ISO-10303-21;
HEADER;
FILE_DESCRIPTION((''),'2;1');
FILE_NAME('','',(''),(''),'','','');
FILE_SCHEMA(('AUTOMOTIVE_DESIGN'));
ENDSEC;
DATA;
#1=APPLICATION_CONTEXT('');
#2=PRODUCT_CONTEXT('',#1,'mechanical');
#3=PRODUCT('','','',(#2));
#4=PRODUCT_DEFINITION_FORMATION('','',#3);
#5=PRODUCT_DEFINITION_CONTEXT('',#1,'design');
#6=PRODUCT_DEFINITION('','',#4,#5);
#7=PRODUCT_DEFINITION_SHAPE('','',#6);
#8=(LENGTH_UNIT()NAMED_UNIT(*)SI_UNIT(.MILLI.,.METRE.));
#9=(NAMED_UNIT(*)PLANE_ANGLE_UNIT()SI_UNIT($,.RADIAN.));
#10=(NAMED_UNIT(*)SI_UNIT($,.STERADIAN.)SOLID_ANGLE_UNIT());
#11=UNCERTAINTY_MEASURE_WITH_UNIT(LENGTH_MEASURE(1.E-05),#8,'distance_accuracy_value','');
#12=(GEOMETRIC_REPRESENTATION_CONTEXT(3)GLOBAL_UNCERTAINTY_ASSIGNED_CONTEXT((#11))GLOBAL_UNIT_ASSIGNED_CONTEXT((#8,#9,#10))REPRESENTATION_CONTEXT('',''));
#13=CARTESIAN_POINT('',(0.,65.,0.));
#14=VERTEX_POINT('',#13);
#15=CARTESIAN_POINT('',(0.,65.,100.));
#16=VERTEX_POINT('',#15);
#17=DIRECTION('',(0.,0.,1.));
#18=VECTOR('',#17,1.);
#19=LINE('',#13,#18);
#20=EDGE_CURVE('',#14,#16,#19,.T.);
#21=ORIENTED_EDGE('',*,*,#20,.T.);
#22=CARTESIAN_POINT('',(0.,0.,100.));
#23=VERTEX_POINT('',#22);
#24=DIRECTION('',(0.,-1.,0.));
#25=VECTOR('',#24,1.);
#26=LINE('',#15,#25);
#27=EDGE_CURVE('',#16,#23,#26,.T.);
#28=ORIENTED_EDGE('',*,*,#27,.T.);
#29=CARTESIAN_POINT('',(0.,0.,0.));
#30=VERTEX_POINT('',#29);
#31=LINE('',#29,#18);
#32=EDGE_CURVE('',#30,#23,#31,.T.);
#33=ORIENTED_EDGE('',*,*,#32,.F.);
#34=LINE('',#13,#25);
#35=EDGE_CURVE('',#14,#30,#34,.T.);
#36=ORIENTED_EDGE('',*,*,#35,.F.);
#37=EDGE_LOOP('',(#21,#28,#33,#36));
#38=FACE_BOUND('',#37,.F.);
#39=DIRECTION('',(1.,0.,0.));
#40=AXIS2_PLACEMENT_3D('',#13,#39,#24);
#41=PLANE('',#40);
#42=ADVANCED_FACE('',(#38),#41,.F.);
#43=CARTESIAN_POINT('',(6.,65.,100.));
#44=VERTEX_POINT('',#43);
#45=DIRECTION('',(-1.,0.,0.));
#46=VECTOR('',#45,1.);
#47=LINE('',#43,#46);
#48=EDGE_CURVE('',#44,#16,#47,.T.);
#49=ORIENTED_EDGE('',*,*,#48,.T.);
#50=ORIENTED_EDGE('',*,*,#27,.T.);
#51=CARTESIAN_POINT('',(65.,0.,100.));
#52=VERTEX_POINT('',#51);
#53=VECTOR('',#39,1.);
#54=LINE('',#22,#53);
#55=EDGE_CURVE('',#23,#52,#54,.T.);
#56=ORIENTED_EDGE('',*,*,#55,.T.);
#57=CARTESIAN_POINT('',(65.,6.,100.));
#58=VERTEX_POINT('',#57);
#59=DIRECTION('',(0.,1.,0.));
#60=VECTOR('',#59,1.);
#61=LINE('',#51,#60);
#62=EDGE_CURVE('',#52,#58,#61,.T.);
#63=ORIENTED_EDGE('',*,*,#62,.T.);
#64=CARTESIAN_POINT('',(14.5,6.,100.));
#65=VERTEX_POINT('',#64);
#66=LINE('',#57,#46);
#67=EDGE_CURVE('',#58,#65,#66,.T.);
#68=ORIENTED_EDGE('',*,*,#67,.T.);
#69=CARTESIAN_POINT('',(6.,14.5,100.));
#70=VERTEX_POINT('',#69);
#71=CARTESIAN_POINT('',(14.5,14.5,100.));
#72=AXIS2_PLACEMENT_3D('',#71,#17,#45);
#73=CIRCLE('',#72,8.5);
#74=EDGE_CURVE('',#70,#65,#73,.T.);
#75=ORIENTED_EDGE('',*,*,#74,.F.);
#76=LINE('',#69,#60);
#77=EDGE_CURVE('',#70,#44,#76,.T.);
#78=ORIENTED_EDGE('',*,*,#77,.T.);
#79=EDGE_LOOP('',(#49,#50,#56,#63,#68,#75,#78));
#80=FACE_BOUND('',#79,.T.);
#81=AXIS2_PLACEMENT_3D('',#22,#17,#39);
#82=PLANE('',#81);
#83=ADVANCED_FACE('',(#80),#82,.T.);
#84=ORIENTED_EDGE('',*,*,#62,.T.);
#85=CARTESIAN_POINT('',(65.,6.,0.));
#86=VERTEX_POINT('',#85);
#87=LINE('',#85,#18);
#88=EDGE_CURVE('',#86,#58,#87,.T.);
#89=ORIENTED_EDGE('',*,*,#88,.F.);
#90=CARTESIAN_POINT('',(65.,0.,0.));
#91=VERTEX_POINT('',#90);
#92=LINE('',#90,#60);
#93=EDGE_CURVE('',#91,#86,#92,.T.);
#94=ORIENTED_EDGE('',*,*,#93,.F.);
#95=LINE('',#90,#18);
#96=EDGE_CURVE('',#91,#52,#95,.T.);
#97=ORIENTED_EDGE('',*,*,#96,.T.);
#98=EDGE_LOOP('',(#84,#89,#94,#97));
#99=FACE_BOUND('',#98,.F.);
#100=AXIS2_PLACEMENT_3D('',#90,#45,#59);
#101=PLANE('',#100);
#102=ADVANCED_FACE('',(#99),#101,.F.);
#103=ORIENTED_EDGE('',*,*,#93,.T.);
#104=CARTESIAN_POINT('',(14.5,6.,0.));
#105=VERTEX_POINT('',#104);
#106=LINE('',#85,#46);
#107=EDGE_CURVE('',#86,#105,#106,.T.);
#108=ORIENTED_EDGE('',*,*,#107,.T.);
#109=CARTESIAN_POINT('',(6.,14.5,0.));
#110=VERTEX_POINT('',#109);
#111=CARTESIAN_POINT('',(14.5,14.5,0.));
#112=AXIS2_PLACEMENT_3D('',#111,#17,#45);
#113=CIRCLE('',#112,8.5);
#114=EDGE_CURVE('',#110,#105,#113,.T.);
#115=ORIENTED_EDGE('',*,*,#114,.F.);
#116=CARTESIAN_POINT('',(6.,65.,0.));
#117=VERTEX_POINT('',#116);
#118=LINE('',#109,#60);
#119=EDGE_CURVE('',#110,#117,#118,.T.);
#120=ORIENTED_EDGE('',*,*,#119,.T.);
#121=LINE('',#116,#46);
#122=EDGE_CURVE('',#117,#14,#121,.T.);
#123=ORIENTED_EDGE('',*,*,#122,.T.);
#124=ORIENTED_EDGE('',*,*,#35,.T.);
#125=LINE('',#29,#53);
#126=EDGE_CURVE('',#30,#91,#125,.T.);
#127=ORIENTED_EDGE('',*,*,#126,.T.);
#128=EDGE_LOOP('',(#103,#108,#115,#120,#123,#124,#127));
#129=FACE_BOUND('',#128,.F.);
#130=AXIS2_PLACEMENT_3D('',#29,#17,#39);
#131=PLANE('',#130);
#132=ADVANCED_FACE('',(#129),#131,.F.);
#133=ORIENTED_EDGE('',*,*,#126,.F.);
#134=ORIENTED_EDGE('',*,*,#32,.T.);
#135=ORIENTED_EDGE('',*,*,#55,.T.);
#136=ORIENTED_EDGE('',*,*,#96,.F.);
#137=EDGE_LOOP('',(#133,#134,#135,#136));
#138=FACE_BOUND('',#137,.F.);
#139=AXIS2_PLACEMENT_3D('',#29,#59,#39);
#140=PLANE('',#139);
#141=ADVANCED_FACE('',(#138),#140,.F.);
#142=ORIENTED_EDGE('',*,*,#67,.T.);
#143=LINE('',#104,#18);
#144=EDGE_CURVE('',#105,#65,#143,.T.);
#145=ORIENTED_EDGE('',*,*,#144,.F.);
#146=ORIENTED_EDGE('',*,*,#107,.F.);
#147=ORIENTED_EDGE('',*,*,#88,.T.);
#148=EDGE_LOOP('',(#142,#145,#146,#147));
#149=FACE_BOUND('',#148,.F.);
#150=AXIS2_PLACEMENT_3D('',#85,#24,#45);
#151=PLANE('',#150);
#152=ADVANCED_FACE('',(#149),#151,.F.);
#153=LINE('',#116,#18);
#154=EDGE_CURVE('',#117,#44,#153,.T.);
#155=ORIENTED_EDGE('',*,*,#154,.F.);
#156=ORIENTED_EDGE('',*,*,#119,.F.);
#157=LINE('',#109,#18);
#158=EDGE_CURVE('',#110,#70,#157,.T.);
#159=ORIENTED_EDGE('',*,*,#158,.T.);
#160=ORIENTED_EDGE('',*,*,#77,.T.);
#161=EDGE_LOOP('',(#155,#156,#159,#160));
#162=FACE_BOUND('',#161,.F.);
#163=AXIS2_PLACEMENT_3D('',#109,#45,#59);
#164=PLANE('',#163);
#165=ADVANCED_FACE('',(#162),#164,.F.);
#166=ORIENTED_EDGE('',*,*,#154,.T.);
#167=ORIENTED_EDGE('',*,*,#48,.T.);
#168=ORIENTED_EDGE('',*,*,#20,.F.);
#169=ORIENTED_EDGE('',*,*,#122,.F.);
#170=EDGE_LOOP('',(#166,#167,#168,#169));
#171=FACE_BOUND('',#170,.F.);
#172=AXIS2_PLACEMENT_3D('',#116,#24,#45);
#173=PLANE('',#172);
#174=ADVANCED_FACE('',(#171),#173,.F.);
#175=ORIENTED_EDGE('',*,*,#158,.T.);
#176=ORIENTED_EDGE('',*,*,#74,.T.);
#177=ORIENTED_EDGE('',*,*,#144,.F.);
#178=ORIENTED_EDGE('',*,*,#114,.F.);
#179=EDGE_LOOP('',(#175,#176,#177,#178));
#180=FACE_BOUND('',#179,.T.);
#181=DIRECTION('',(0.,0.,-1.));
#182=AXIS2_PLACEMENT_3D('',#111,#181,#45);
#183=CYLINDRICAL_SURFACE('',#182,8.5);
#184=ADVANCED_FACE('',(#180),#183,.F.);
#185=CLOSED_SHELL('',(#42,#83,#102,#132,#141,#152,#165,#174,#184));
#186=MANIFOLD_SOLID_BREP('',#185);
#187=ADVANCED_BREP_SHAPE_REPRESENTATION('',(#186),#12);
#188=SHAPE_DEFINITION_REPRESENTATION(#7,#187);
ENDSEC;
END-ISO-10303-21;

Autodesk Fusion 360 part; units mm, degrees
sketch "スケッチ1" plane through (0, 0, 0) normal (0, 0, 1) x (1, 0, 0)
  line L0 (0, 65) -> (0, 0)
  line L1 (6, 14.5) -> (6, 65)
  line L2 (65, 6) -> (14.5, 6)
  line L3 (0, 0) -> (65, 0)
  arc A0 (6, 14.5) -> (14.5, 6) centre (14.5, 14.5) ccw
  line L4 (65, 0) -> (65, 6)
  line L5 (6, 65) -> (0, 65)
extrude "押し出し1" add sketch "スケッチ1" along normal blind 100
